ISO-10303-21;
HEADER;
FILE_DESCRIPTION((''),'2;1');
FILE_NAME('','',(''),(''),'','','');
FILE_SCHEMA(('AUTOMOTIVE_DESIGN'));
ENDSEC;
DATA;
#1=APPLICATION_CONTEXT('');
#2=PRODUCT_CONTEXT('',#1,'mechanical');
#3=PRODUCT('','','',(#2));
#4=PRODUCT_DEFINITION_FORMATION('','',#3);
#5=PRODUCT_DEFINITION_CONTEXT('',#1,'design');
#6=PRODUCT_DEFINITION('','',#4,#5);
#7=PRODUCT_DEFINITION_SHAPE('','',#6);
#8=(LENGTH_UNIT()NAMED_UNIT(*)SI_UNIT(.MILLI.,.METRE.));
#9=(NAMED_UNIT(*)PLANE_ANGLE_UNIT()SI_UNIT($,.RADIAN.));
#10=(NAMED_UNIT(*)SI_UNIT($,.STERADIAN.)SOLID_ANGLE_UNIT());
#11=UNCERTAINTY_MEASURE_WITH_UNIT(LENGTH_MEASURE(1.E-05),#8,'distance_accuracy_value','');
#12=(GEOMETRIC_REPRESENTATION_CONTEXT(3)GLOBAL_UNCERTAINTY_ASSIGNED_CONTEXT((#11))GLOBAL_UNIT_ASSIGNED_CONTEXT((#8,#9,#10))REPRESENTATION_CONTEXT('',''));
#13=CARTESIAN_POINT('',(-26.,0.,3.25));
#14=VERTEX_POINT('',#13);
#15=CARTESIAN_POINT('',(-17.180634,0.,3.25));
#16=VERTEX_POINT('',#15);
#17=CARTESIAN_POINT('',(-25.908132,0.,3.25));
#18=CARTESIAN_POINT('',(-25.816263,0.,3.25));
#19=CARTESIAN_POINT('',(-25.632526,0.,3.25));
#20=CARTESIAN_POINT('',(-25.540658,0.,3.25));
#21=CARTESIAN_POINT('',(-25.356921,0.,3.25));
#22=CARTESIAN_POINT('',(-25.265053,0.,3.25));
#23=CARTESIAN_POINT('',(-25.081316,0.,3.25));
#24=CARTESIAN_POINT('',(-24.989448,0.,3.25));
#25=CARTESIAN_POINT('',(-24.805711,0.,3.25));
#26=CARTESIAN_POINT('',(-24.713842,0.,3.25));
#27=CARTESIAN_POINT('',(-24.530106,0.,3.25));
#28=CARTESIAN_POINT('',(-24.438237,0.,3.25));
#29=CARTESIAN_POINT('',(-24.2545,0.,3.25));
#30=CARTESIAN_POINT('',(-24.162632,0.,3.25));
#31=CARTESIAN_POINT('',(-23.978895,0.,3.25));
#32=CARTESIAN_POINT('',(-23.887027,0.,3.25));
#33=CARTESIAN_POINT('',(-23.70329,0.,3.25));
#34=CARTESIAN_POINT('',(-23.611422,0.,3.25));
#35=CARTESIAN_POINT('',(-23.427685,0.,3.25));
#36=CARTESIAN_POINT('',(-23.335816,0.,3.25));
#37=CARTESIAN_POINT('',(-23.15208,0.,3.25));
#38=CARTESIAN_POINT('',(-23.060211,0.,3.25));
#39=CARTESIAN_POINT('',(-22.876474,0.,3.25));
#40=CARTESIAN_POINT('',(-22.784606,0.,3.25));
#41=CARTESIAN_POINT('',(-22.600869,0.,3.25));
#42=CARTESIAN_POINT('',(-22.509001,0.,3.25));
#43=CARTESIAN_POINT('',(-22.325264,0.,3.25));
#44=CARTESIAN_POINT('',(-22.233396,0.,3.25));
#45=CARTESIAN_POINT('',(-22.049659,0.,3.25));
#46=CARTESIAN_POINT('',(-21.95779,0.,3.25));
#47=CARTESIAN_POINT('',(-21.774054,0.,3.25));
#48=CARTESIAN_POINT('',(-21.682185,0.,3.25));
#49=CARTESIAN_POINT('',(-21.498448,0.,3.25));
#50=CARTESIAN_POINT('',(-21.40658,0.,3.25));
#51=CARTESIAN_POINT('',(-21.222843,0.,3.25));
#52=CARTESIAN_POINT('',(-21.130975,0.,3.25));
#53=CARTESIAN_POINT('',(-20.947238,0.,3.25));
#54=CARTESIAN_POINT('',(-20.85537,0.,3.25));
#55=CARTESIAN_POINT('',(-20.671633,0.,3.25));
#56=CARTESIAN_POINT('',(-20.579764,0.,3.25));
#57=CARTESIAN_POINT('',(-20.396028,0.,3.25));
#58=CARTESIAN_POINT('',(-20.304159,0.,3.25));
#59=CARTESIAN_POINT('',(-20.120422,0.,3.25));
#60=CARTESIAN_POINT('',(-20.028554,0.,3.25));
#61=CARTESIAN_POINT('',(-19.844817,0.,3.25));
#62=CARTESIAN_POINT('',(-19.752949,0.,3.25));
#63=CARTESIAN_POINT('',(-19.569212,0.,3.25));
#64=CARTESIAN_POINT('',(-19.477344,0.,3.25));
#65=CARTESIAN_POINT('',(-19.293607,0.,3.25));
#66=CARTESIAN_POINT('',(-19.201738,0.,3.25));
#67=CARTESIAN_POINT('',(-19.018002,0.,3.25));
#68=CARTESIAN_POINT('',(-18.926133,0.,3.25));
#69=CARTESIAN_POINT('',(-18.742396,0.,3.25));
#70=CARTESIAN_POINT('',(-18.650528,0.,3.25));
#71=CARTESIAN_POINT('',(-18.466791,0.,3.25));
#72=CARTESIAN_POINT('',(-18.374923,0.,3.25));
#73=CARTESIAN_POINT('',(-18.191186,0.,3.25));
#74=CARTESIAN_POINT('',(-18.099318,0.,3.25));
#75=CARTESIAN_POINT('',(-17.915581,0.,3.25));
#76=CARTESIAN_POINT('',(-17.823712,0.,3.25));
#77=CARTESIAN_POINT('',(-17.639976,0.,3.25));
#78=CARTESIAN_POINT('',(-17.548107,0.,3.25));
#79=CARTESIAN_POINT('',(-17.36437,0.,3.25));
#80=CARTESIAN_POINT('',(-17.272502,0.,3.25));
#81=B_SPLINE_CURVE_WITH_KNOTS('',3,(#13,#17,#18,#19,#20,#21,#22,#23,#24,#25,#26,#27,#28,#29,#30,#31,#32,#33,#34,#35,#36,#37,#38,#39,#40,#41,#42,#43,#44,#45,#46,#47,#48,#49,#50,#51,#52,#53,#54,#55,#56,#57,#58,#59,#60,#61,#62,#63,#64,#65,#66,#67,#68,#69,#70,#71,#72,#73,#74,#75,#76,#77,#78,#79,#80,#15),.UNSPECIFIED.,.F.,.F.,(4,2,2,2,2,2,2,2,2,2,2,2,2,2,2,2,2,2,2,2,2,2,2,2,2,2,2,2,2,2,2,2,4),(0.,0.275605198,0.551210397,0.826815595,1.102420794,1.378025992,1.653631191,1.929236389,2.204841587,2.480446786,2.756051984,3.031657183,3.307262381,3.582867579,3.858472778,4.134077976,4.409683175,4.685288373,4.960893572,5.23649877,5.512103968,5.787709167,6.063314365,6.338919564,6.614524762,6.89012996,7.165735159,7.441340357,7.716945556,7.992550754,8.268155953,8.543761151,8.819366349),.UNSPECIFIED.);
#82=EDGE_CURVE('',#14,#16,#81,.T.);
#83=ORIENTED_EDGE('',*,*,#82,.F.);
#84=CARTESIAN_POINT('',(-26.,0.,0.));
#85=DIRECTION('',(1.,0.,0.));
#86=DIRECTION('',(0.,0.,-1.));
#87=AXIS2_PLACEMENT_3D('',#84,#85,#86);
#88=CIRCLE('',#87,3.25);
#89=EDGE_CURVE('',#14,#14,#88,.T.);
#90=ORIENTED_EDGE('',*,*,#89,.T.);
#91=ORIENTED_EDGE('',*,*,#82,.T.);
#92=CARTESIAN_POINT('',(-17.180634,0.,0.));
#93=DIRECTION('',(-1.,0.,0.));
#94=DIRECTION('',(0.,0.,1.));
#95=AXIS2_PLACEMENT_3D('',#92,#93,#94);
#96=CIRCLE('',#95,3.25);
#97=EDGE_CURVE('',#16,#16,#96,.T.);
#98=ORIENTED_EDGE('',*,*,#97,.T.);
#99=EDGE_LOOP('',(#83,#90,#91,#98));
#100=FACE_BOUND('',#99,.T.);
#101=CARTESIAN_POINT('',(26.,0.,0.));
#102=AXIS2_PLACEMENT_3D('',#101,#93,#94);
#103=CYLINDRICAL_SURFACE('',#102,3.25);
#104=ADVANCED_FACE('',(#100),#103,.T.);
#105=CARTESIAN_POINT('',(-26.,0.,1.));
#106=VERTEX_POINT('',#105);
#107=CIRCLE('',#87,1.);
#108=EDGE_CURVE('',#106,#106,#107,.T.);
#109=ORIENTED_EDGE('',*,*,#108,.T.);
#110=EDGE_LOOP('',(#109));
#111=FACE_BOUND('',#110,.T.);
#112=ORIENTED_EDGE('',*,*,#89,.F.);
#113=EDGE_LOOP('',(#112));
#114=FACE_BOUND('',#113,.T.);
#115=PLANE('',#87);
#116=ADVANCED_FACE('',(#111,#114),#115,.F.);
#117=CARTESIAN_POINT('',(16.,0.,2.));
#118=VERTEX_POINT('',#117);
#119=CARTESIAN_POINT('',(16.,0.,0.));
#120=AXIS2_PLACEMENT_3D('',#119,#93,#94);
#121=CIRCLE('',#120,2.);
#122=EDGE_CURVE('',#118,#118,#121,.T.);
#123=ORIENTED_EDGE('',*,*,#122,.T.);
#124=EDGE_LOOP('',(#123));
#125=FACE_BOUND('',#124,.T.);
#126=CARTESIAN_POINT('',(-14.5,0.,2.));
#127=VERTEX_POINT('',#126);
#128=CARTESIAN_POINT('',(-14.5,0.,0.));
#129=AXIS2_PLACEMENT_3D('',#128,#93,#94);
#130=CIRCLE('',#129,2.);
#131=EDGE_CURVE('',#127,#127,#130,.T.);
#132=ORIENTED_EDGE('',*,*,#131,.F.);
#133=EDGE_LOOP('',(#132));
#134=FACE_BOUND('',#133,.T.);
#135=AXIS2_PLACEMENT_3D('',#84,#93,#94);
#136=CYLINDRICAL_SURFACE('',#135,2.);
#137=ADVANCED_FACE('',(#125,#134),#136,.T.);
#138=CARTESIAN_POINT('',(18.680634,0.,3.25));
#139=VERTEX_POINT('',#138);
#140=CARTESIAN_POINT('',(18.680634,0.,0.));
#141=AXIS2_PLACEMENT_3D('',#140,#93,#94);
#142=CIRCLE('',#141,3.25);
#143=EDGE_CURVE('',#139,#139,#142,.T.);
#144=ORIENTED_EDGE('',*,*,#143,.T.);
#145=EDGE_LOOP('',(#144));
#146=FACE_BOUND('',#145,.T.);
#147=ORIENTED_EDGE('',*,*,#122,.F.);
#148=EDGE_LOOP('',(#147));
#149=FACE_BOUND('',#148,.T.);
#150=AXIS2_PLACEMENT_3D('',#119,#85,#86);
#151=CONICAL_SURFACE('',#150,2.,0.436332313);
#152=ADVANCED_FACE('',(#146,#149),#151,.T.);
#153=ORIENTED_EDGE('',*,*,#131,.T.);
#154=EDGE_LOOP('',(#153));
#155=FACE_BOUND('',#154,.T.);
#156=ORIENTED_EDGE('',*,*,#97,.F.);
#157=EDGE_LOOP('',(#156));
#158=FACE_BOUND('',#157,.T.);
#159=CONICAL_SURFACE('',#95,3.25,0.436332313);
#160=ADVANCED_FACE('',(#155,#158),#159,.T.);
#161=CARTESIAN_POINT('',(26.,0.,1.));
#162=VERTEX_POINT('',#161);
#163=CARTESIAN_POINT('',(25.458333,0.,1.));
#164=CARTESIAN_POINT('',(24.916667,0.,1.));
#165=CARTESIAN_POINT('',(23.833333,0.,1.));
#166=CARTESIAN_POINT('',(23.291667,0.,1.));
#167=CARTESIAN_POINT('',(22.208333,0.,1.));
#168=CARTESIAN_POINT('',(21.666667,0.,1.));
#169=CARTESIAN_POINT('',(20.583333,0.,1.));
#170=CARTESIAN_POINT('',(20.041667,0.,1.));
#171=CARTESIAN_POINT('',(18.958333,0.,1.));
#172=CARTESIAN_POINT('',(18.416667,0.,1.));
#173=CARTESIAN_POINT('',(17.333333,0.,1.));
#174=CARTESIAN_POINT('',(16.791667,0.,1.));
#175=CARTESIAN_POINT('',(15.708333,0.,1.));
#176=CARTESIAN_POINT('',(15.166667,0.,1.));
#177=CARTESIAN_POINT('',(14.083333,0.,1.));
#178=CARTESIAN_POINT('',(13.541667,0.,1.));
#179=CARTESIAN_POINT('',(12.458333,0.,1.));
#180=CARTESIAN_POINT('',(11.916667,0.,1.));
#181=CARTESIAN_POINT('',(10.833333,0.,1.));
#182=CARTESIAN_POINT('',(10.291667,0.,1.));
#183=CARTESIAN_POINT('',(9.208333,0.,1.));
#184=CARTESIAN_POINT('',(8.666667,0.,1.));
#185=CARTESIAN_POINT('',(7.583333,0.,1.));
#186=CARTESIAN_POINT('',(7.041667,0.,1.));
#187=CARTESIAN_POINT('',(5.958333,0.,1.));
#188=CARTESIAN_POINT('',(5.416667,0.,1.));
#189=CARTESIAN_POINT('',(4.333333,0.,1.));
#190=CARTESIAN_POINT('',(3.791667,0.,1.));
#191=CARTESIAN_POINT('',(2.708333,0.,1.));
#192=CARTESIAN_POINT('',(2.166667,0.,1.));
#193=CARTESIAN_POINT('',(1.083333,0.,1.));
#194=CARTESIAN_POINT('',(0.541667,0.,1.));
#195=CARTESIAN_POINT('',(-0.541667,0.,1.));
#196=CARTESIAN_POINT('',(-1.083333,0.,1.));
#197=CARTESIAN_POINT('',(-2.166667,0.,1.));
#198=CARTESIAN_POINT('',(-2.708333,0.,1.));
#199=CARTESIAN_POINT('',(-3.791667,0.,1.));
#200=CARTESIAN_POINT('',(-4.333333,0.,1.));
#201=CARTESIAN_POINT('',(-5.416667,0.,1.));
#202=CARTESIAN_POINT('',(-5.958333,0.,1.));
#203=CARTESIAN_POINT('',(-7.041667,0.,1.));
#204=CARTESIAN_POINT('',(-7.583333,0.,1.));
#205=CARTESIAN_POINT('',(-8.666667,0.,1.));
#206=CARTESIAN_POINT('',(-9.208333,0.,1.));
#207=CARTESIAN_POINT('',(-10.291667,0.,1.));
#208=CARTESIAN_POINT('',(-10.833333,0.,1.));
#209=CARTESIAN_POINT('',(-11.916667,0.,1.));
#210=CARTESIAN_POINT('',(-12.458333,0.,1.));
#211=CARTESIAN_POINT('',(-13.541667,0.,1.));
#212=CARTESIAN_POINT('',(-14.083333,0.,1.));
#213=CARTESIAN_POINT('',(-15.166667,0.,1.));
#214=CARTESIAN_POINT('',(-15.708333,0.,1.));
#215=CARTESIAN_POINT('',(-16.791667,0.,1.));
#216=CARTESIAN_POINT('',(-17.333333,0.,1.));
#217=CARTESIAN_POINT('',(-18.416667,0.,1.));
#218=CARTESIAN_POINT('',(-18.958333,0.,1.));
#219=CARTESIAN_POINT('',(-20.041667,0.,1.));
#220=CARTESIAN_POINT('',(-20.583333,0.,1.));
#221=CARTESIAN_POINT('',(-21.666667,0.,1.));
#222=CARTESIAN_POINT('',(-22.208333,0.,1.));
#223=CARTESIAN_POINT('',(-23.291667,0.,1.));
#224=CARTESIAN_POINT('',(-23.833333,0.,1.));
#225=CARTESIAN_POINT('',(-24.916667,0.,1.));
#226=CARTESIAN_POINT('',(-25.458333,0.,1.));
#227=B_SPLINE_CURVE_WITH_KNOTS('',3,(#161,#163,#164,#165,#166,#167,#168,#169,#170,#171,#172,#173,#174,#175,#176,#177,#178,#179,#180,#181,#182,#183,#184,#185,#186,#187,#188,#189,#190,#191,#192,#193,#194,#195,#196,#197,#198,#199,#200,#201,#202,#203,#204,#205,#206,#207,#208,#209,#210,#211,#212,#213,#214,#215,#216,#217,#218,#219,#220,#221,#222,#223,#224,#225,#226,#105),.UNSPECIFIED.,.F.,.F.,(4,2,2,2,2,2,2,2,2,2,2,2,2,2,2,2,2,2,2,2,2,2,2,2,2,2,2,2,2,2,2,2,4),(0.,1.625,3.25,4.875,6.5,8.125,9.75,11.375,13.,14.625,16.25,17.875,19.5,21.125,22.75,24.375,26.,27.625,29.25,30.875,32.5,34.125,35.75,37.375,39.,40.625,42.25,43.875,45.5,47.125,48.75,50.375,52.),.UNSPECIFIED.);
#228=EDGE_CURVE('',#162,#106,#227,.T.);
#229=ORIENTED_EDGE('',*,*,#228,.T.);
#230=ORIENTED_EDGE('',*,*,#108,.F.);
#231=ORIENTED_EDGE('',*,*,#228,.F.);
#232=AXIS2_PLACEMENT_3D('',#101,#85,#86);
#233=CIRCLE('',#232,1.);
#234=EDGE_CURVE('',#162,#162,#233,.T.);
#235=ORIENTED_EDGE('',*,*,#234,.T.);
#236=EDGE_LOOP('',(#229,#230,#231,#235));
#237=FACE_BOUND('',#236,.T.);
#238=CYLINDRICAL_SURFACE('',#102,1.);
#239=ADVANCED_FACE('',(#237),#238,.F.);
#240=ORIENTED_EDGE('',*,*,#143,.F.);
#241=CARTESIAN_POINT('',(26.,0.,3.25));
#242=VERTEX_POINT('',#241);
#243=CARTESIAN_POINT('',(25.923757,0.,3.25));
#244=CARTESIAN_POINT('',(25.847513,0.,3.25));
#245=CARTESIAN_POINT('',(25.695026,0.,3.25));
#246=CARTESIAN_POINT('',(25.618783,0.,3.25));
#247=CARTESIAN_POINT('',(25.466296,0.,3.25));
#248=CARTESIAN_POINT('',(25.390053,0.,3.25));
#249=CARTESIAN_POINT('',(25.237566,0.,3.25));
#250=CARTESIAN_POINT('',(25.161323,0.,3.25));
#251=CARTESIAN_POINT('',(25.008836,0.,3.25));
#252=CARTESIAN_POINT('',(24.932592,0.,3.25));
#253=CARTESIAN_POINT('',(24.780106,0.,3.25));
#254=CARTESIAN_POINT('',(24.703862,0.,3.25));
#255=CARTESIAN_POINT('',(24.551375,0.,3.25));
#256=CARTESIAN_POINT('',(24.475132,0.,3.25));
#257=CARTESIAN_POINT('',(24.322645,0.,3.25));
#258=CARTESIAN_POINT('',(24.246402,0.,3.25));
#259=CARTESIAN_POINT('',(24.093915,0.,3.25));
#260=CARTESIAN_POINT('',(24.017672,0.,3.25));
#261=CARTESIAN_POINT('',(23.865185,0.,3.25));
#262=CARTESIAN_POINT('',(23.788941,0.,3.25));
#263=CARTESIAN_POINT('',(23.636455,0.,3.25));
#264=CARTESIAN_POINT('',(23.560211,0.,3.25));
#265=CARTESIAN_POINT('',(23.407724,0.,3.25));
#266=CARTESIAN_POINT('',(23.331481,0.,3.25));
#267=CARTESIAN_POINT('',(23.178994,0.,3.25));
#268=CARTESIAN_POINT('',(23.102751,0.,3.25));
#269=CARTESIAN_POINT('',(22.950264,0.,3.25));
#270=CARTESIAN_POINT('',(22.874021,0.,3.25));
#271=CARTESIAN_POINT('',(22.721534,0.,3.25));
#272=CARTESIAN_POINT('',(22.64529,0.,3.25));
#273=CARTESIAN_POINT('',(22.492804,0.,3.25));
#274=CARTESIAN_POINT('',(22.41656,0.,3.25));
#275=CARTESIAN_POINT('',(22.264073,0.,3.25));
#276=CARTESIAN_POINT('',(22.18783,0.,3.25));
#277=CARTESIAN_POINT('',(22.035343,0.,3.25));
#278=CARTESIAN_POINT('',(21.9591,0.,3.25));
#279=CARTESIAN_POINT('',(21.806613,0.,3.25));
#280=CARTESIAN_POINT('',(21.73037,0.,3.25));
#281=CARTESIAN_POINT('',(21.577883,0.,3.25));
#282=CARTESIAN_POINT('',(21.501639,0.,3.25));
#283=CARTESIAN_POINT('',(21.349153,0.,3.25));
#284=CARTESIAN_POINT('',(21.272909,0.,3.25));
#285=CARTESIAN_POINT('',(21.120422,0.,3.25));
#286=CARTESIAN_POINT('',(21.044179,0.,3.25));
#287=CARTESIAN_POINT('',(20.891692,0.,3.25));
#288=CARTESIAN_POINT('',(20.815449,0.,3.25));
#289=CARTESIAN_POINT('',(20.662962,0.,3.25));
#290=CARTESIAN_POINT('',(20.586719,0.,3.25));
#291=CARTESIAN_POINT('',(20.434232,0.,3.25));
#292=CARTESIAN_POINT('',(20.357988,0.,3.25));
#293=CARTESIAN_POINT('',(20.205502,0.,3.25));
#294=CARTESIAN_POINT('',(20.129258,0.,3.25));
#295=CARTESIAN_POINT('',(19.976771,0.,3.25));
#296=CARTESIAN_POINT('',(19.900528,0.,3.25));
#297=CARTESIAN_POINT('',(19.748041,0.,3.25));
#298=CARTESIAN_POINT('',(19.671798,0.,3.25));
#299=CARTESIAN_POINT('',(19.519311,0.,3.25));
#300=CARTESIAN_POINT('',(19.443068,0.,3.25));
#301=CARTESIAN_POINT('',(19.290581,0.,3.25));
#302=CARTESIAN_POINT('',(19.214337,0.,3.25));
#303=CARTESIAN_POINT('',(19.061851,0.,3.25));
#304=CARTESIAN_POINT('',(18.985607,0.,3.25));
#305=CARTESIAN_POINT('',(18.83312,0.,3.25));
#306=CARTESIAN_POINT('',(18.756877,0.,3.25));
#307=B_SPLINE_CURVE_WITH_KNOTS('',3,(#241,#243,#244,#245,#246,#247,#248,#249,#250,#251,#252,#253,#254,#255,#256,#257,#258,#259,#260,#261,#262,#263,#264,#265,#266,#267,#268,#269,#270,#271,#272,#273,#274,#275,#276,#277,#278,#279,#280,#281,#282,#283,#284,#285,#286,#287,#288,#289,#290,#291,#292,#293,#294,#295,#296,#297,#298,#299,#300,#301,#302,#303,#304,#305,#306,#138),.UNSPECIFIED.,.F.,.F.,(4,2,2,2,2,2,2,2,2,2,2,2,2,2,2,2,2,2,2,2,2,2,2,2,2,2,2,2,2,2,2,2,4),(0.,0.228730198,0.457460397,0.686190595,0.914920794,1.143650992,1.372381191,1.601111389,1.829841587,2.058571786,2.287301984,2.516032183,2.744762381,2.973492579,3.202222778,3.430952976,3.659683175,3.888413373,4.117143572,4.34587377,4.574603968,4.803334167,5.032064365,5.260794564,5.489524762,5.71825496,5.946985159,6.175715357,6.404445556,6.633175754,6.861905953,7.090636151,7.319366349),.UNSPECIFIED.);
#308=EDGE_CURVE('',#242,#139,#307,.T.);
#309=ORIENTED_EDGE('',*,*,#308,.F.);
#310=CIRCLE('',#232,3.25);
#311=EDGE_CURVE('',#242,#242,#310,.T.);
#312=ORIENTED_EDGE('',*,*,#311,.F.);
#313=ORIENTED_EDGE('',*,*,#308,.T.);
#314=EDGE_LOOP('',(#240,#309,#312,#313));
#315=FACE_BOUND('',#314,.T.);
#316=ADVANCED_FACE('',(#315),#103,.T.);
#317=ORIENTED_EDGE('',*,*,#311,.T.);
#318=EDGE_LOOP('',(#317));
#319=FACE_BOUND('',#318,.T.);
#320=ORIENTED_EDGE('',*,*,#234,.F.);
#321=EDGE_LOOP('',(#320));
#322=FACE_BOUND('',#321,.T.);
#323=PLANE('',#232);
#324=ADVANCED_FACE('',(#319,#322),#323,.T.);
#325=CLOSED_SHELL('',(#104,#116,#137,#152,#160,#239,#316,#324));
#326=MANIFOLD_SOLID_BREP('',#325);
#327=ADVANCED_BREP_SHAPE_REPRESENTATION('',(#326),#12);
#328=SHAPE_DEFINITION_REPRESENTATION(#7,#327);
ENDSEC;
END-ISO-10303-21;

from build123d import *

# Parameters (mm, degrees)
SKETCH_1_R      = 3.25
SKETCH_1_R_2    = 1
EXTRUDE_1_DEPTH = 26


with BuildPart() as part:
    # 草图1 → 凸台-拉伸1 (new, symmetric)
    with BuildSketch(Plane(origin=(0, 0, 0), x_dir=(0, 0, -1), z_dir=(1, 0, 0))):
        with Locations(Location((0, 0, 0), (0, 0, 180))):
            Circle(SKETCH_1_R)
        with Locations(Location((0, 0, 0), (0, 0, 180))):
            Circle(SKETCH_1_R_2, mode=Mode.SUBTRACT)
    extrude(amount=EXTRUDE_1_DEPTH, both=True)

    # 草图2 → 切除-旋转1 (revolve, cut)
    with BuildSketch(Plane.XY, mode=Mode.PRIVATE) as cut_revolve_1_sk:
        Polygon((-17.180633651, 3.25), (18.680633651, 3.25), (16, 2), (-14.5, 2), align=None)
    revolve(cut_revolve_1_sk.sketch.rotate(Axis((-26, 0, 0), (1, 0, 0)), 90), axis=Axis((-26, 0, 0), (1, 0, 0)), mode=Mode.SUBTRACT)


solid = part.part
